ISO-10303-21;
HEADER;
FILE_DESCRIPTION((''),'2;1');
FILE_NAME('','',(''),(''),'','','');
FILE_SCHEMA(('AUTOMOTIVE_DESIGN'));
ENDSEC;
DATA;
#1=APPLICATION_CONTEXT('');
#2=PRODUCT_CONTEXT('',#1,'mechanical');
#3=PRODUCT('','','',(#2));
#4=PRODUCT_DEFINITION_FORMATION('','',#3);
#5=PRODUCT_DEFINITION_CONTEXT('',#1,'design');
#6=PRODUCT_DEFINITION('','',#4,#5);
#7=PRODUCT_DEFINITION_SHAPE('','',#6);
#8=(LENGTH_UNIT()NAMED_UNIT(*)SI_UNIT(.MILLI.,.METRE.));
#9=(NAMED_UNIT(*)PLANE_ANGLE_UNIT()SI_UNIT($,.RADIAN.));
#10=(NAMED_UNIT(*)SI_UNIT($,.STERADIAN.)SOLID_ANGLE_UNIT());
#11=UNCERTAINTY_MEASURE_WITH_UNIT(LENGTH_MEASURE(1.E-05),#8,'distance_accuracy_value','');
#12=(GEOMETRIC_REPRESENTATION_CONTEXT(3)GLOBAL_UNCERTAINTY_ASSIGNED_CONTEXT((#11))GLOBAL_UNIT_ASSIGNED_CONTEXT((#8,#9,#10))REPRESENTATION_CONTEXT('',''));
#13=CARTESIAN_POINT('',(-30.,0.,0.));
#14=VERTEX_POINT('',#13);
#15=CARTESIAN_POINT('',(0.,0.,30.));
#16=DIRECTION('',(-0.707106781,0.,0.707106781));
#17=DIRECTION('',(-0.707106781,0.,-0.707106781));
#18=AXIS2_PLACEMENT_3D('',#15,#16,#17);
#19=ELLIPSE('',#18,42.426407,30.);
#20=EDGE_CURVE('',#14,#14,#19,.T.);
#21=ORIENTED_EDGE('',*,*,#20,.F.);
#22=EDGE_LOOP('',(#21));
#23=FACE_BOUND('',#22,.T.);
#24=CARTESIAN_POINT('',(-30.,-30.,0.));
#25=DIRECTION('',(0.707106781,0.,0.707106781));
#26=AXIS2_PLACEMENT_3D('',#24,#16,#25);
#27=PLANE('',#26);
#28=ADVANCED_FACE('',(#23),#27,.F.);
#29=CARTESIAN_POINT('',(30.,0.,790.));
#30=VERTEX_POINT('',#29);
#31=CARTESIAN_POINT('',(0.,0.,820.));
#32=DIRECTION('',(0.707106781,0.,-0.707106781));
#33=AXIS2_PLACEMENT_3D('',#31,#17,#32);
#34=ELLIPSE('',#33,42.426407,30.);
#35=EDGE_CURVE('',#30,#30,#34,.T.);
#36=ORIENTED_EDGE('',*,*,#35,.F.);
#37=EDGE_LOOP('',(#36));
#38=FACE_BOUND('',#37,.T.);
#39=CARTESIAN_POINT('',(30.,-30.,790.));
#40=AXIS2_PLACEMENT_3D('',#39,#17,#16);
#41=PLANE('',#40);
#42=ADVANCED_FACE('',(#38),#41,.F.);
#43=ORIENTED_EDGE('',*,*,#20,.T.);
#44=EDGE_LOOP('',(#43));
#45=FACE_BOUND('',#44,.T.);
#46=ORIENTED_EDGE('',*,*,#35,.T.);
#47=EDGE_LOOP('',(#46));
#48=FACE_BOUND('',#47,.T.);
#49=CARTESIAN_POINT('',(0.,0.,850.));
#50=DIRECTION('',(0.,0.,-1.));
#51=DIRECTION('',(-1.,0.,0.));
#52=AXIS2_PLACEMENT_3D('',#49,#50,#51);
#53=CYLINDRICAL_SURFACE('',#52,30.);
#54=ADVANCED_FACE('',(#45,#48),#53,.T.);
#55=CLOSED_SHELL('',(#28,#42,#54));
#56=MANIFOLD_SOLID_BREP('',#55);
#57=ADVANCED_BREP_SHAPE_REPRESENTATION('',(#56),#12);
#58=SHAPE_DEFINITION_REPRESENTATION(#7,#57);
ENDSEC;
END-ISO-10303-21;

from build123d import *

# Parameters (mm, degrees)
SKETCH1_R           = 30
BOSS_EXTRUDE2_DEPTH = 850
CUT_EXTRUDE1_DEPTH  = 70
CUT_EXTRUDE2_DEPTH  = 70


with BuildPart() as part:
    # Sketch1 → Boss-Extrude2 (new body)
    with BuildSketch(Plane.XY):
        Circle(SKETCH1_R)
    extrude(amount=BOSS_EXTRUDE2_DEPTH)

    # Sketch4 → Cut-Extrude1 (cut)
    with BuildSketch(Plane(origin=(0, 40, 0), x_dir=(1, 0, 0), z_dir=(0, 1, 0))):
        Polygon((-30, -850), (30, -850), (30, -790), align=None)
    extrude(amount=-CUT_EXTRUDE1_DEPTH, mode=Mode.SUBTRACT)

    # Sketch3 → Cut-Extrude2 (cut)
    with BuildSketch(Plane(origin=(0, 40, 0), x_dir=(1, 0, 0), z_dir=(0, 1, 0))):
        Polygon((-30, 0), (30, -60), (30, 0), align=None)
    extrude(amount=-CUT_EXTRUDE2_DEPTH, mode=Mode.SUBTRACT)


solid = part.part
